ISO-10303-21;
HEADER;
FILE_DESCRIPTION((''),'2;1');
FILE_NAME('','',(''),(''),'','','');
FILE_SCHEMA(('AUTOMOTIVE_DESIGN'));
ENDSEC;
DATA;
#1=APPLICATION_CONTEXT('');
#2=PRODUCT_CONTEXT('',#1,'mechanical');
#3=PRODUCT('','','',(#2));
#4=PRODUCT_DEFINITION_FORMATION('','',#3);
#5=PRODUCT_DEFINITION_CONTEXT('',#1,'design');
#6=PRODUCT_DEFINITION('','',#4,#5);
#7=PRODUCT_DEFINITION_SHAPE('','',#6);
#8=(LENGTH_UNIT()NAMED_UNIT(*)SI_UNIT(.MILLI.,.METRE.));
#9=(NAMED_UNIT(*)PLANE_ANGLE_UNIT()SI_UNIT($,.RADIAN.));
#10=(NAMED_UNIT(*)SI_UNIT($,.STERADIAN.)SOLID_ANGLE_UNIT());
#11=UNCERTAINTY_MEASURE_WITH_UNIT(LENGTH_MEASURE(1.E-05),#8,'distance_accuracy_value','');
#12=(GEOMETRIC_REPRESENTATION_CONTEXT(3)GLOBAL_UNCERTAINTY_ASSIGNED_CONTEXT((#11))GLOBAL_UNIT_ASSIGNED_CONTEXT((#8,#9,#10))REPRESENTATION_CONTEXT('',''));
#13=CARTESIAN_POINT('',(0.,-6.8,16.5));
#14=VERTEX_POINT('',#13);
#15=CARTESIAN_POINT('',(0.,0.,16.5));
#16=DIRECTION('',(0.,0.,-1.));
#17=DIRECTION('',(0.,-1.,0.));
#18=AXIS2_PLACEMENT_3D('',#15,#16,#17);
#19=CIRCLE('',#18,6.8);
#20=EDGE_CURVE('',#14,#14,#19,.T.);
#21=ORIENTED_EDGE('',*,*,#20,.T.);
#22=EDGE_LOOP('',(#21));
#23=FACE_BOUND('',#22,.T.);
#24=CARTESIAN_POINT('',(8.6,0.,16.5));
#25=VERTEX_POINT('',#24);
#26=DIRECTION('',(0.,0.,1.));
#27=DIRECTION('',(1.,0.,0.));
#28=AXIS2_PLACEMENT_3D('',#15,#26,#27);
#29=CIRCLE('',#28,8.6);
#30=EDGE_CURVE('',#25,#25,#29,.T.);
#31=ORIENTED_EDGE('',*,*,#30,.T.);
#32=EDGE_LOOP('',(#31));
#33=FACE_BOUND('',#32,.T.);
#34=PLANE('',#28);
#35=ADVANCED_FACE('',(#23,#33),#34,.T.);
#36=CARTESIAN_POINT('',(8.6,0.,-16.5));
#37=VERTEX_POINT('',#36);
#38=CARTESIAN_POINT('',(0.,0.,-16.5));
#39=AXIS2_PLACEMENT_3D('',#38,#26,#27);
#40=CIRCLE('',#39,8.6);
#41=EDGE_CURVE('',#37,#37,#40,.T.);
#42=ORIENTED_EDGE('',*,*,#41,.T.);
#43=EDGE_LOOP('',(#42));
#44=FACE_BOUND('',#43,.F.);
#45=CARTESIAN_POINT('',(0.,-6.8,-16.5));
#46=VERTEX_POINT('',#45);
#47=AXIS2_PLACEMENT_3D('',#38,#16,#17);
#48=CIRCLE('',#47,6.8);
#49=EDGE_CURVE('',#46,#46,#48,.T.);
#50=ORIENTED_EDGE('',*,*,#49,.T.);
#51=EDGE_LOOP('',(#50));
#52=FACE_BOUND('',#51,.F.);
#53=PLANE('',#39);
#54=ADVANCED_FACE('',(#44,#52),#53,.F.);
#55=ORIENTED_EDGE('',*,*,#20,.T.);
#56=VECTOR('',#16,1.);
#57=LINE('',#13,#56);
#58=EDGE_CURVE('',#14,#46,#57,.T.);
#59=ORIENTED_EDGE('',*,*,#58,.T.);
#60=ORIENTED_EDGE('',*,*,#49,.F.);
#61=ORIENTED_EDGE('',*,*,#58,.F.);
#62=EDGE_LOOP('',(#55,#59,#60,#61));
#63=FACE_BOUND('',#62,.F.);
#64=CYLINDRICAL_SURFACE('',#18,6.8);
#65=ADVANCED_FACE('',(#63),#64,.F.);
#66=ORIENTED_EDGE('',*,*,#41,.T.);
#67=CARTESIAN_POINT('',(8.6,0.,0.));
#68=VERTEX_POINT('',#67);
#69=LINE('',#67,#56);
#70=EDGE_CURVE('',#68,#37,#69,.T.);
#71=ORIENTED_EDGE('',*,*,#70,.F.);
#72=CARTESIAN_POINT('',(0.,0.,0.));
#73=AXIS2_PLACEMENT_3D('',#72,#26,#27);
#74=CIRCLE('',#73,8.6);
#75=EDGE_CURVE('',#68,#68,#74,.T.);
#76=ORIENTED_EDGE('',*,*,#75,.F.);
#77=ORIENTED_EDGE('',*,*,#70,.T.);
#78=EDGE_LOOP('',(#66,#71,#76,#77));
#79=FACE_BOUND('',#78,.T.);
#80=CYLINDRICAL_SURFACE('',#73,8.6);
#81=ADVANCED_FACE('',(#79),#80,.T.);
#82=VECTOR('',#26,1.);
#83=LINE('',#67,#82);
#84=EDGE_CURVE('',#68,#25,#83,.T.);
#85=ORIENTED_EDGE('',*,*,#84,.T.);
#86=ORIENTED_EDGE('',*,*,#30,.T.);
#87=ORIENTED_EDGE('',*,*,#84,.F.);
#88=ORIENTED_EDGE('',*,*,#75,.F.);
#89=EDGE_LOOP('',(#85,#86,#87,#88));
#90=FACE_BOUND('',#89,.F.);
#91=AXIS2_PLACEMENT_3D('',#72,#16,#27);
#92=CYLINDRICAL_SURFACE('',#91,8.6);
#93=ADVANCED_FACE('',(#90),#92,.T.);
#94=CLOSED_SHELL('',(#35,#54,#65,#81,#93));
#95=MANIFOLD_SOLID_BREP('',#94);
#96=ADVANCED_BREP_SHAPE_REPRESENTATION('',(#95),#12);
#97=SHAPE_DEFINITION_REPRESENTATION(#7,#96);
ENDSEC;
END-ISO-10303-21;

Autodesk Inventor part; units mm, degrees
ref_plane "YZ Plane" through (0, 0, 0) normal (1, 0, 0) x (0, 1, 0)
ref_plane "XZ Plane" through (0, 0, 0) normal (0, 1, 0) x (-1, 0, 0)
ref_plane "XY Plane" through (0, 0, 0) normal (0, 0, 1) x (1, 0, 0)
sketch "Szkic1" plane through (0, 0, 0) normal (0, 0, 1) x (1, 0, 0)
  circle A0 centre (0, 0) radius 8.6
  dimension "d0" = 17.2
extrude "Wyciągnięcie proste1" add sketch "Szkic1" along normal mid plane 33
sketch "Szkic2" plane through (0, 0, 16.5) normal (0, 0, 1) x (1, 0, 0)
  circle A0 centre (0, 0) radius 8.6 projected
hole "Otwór1" at (0, 0, 16.5) direction (0, 0, -1) diameter 13.6 end through all
properties part number "Separator" material "Stal, węglowa"
